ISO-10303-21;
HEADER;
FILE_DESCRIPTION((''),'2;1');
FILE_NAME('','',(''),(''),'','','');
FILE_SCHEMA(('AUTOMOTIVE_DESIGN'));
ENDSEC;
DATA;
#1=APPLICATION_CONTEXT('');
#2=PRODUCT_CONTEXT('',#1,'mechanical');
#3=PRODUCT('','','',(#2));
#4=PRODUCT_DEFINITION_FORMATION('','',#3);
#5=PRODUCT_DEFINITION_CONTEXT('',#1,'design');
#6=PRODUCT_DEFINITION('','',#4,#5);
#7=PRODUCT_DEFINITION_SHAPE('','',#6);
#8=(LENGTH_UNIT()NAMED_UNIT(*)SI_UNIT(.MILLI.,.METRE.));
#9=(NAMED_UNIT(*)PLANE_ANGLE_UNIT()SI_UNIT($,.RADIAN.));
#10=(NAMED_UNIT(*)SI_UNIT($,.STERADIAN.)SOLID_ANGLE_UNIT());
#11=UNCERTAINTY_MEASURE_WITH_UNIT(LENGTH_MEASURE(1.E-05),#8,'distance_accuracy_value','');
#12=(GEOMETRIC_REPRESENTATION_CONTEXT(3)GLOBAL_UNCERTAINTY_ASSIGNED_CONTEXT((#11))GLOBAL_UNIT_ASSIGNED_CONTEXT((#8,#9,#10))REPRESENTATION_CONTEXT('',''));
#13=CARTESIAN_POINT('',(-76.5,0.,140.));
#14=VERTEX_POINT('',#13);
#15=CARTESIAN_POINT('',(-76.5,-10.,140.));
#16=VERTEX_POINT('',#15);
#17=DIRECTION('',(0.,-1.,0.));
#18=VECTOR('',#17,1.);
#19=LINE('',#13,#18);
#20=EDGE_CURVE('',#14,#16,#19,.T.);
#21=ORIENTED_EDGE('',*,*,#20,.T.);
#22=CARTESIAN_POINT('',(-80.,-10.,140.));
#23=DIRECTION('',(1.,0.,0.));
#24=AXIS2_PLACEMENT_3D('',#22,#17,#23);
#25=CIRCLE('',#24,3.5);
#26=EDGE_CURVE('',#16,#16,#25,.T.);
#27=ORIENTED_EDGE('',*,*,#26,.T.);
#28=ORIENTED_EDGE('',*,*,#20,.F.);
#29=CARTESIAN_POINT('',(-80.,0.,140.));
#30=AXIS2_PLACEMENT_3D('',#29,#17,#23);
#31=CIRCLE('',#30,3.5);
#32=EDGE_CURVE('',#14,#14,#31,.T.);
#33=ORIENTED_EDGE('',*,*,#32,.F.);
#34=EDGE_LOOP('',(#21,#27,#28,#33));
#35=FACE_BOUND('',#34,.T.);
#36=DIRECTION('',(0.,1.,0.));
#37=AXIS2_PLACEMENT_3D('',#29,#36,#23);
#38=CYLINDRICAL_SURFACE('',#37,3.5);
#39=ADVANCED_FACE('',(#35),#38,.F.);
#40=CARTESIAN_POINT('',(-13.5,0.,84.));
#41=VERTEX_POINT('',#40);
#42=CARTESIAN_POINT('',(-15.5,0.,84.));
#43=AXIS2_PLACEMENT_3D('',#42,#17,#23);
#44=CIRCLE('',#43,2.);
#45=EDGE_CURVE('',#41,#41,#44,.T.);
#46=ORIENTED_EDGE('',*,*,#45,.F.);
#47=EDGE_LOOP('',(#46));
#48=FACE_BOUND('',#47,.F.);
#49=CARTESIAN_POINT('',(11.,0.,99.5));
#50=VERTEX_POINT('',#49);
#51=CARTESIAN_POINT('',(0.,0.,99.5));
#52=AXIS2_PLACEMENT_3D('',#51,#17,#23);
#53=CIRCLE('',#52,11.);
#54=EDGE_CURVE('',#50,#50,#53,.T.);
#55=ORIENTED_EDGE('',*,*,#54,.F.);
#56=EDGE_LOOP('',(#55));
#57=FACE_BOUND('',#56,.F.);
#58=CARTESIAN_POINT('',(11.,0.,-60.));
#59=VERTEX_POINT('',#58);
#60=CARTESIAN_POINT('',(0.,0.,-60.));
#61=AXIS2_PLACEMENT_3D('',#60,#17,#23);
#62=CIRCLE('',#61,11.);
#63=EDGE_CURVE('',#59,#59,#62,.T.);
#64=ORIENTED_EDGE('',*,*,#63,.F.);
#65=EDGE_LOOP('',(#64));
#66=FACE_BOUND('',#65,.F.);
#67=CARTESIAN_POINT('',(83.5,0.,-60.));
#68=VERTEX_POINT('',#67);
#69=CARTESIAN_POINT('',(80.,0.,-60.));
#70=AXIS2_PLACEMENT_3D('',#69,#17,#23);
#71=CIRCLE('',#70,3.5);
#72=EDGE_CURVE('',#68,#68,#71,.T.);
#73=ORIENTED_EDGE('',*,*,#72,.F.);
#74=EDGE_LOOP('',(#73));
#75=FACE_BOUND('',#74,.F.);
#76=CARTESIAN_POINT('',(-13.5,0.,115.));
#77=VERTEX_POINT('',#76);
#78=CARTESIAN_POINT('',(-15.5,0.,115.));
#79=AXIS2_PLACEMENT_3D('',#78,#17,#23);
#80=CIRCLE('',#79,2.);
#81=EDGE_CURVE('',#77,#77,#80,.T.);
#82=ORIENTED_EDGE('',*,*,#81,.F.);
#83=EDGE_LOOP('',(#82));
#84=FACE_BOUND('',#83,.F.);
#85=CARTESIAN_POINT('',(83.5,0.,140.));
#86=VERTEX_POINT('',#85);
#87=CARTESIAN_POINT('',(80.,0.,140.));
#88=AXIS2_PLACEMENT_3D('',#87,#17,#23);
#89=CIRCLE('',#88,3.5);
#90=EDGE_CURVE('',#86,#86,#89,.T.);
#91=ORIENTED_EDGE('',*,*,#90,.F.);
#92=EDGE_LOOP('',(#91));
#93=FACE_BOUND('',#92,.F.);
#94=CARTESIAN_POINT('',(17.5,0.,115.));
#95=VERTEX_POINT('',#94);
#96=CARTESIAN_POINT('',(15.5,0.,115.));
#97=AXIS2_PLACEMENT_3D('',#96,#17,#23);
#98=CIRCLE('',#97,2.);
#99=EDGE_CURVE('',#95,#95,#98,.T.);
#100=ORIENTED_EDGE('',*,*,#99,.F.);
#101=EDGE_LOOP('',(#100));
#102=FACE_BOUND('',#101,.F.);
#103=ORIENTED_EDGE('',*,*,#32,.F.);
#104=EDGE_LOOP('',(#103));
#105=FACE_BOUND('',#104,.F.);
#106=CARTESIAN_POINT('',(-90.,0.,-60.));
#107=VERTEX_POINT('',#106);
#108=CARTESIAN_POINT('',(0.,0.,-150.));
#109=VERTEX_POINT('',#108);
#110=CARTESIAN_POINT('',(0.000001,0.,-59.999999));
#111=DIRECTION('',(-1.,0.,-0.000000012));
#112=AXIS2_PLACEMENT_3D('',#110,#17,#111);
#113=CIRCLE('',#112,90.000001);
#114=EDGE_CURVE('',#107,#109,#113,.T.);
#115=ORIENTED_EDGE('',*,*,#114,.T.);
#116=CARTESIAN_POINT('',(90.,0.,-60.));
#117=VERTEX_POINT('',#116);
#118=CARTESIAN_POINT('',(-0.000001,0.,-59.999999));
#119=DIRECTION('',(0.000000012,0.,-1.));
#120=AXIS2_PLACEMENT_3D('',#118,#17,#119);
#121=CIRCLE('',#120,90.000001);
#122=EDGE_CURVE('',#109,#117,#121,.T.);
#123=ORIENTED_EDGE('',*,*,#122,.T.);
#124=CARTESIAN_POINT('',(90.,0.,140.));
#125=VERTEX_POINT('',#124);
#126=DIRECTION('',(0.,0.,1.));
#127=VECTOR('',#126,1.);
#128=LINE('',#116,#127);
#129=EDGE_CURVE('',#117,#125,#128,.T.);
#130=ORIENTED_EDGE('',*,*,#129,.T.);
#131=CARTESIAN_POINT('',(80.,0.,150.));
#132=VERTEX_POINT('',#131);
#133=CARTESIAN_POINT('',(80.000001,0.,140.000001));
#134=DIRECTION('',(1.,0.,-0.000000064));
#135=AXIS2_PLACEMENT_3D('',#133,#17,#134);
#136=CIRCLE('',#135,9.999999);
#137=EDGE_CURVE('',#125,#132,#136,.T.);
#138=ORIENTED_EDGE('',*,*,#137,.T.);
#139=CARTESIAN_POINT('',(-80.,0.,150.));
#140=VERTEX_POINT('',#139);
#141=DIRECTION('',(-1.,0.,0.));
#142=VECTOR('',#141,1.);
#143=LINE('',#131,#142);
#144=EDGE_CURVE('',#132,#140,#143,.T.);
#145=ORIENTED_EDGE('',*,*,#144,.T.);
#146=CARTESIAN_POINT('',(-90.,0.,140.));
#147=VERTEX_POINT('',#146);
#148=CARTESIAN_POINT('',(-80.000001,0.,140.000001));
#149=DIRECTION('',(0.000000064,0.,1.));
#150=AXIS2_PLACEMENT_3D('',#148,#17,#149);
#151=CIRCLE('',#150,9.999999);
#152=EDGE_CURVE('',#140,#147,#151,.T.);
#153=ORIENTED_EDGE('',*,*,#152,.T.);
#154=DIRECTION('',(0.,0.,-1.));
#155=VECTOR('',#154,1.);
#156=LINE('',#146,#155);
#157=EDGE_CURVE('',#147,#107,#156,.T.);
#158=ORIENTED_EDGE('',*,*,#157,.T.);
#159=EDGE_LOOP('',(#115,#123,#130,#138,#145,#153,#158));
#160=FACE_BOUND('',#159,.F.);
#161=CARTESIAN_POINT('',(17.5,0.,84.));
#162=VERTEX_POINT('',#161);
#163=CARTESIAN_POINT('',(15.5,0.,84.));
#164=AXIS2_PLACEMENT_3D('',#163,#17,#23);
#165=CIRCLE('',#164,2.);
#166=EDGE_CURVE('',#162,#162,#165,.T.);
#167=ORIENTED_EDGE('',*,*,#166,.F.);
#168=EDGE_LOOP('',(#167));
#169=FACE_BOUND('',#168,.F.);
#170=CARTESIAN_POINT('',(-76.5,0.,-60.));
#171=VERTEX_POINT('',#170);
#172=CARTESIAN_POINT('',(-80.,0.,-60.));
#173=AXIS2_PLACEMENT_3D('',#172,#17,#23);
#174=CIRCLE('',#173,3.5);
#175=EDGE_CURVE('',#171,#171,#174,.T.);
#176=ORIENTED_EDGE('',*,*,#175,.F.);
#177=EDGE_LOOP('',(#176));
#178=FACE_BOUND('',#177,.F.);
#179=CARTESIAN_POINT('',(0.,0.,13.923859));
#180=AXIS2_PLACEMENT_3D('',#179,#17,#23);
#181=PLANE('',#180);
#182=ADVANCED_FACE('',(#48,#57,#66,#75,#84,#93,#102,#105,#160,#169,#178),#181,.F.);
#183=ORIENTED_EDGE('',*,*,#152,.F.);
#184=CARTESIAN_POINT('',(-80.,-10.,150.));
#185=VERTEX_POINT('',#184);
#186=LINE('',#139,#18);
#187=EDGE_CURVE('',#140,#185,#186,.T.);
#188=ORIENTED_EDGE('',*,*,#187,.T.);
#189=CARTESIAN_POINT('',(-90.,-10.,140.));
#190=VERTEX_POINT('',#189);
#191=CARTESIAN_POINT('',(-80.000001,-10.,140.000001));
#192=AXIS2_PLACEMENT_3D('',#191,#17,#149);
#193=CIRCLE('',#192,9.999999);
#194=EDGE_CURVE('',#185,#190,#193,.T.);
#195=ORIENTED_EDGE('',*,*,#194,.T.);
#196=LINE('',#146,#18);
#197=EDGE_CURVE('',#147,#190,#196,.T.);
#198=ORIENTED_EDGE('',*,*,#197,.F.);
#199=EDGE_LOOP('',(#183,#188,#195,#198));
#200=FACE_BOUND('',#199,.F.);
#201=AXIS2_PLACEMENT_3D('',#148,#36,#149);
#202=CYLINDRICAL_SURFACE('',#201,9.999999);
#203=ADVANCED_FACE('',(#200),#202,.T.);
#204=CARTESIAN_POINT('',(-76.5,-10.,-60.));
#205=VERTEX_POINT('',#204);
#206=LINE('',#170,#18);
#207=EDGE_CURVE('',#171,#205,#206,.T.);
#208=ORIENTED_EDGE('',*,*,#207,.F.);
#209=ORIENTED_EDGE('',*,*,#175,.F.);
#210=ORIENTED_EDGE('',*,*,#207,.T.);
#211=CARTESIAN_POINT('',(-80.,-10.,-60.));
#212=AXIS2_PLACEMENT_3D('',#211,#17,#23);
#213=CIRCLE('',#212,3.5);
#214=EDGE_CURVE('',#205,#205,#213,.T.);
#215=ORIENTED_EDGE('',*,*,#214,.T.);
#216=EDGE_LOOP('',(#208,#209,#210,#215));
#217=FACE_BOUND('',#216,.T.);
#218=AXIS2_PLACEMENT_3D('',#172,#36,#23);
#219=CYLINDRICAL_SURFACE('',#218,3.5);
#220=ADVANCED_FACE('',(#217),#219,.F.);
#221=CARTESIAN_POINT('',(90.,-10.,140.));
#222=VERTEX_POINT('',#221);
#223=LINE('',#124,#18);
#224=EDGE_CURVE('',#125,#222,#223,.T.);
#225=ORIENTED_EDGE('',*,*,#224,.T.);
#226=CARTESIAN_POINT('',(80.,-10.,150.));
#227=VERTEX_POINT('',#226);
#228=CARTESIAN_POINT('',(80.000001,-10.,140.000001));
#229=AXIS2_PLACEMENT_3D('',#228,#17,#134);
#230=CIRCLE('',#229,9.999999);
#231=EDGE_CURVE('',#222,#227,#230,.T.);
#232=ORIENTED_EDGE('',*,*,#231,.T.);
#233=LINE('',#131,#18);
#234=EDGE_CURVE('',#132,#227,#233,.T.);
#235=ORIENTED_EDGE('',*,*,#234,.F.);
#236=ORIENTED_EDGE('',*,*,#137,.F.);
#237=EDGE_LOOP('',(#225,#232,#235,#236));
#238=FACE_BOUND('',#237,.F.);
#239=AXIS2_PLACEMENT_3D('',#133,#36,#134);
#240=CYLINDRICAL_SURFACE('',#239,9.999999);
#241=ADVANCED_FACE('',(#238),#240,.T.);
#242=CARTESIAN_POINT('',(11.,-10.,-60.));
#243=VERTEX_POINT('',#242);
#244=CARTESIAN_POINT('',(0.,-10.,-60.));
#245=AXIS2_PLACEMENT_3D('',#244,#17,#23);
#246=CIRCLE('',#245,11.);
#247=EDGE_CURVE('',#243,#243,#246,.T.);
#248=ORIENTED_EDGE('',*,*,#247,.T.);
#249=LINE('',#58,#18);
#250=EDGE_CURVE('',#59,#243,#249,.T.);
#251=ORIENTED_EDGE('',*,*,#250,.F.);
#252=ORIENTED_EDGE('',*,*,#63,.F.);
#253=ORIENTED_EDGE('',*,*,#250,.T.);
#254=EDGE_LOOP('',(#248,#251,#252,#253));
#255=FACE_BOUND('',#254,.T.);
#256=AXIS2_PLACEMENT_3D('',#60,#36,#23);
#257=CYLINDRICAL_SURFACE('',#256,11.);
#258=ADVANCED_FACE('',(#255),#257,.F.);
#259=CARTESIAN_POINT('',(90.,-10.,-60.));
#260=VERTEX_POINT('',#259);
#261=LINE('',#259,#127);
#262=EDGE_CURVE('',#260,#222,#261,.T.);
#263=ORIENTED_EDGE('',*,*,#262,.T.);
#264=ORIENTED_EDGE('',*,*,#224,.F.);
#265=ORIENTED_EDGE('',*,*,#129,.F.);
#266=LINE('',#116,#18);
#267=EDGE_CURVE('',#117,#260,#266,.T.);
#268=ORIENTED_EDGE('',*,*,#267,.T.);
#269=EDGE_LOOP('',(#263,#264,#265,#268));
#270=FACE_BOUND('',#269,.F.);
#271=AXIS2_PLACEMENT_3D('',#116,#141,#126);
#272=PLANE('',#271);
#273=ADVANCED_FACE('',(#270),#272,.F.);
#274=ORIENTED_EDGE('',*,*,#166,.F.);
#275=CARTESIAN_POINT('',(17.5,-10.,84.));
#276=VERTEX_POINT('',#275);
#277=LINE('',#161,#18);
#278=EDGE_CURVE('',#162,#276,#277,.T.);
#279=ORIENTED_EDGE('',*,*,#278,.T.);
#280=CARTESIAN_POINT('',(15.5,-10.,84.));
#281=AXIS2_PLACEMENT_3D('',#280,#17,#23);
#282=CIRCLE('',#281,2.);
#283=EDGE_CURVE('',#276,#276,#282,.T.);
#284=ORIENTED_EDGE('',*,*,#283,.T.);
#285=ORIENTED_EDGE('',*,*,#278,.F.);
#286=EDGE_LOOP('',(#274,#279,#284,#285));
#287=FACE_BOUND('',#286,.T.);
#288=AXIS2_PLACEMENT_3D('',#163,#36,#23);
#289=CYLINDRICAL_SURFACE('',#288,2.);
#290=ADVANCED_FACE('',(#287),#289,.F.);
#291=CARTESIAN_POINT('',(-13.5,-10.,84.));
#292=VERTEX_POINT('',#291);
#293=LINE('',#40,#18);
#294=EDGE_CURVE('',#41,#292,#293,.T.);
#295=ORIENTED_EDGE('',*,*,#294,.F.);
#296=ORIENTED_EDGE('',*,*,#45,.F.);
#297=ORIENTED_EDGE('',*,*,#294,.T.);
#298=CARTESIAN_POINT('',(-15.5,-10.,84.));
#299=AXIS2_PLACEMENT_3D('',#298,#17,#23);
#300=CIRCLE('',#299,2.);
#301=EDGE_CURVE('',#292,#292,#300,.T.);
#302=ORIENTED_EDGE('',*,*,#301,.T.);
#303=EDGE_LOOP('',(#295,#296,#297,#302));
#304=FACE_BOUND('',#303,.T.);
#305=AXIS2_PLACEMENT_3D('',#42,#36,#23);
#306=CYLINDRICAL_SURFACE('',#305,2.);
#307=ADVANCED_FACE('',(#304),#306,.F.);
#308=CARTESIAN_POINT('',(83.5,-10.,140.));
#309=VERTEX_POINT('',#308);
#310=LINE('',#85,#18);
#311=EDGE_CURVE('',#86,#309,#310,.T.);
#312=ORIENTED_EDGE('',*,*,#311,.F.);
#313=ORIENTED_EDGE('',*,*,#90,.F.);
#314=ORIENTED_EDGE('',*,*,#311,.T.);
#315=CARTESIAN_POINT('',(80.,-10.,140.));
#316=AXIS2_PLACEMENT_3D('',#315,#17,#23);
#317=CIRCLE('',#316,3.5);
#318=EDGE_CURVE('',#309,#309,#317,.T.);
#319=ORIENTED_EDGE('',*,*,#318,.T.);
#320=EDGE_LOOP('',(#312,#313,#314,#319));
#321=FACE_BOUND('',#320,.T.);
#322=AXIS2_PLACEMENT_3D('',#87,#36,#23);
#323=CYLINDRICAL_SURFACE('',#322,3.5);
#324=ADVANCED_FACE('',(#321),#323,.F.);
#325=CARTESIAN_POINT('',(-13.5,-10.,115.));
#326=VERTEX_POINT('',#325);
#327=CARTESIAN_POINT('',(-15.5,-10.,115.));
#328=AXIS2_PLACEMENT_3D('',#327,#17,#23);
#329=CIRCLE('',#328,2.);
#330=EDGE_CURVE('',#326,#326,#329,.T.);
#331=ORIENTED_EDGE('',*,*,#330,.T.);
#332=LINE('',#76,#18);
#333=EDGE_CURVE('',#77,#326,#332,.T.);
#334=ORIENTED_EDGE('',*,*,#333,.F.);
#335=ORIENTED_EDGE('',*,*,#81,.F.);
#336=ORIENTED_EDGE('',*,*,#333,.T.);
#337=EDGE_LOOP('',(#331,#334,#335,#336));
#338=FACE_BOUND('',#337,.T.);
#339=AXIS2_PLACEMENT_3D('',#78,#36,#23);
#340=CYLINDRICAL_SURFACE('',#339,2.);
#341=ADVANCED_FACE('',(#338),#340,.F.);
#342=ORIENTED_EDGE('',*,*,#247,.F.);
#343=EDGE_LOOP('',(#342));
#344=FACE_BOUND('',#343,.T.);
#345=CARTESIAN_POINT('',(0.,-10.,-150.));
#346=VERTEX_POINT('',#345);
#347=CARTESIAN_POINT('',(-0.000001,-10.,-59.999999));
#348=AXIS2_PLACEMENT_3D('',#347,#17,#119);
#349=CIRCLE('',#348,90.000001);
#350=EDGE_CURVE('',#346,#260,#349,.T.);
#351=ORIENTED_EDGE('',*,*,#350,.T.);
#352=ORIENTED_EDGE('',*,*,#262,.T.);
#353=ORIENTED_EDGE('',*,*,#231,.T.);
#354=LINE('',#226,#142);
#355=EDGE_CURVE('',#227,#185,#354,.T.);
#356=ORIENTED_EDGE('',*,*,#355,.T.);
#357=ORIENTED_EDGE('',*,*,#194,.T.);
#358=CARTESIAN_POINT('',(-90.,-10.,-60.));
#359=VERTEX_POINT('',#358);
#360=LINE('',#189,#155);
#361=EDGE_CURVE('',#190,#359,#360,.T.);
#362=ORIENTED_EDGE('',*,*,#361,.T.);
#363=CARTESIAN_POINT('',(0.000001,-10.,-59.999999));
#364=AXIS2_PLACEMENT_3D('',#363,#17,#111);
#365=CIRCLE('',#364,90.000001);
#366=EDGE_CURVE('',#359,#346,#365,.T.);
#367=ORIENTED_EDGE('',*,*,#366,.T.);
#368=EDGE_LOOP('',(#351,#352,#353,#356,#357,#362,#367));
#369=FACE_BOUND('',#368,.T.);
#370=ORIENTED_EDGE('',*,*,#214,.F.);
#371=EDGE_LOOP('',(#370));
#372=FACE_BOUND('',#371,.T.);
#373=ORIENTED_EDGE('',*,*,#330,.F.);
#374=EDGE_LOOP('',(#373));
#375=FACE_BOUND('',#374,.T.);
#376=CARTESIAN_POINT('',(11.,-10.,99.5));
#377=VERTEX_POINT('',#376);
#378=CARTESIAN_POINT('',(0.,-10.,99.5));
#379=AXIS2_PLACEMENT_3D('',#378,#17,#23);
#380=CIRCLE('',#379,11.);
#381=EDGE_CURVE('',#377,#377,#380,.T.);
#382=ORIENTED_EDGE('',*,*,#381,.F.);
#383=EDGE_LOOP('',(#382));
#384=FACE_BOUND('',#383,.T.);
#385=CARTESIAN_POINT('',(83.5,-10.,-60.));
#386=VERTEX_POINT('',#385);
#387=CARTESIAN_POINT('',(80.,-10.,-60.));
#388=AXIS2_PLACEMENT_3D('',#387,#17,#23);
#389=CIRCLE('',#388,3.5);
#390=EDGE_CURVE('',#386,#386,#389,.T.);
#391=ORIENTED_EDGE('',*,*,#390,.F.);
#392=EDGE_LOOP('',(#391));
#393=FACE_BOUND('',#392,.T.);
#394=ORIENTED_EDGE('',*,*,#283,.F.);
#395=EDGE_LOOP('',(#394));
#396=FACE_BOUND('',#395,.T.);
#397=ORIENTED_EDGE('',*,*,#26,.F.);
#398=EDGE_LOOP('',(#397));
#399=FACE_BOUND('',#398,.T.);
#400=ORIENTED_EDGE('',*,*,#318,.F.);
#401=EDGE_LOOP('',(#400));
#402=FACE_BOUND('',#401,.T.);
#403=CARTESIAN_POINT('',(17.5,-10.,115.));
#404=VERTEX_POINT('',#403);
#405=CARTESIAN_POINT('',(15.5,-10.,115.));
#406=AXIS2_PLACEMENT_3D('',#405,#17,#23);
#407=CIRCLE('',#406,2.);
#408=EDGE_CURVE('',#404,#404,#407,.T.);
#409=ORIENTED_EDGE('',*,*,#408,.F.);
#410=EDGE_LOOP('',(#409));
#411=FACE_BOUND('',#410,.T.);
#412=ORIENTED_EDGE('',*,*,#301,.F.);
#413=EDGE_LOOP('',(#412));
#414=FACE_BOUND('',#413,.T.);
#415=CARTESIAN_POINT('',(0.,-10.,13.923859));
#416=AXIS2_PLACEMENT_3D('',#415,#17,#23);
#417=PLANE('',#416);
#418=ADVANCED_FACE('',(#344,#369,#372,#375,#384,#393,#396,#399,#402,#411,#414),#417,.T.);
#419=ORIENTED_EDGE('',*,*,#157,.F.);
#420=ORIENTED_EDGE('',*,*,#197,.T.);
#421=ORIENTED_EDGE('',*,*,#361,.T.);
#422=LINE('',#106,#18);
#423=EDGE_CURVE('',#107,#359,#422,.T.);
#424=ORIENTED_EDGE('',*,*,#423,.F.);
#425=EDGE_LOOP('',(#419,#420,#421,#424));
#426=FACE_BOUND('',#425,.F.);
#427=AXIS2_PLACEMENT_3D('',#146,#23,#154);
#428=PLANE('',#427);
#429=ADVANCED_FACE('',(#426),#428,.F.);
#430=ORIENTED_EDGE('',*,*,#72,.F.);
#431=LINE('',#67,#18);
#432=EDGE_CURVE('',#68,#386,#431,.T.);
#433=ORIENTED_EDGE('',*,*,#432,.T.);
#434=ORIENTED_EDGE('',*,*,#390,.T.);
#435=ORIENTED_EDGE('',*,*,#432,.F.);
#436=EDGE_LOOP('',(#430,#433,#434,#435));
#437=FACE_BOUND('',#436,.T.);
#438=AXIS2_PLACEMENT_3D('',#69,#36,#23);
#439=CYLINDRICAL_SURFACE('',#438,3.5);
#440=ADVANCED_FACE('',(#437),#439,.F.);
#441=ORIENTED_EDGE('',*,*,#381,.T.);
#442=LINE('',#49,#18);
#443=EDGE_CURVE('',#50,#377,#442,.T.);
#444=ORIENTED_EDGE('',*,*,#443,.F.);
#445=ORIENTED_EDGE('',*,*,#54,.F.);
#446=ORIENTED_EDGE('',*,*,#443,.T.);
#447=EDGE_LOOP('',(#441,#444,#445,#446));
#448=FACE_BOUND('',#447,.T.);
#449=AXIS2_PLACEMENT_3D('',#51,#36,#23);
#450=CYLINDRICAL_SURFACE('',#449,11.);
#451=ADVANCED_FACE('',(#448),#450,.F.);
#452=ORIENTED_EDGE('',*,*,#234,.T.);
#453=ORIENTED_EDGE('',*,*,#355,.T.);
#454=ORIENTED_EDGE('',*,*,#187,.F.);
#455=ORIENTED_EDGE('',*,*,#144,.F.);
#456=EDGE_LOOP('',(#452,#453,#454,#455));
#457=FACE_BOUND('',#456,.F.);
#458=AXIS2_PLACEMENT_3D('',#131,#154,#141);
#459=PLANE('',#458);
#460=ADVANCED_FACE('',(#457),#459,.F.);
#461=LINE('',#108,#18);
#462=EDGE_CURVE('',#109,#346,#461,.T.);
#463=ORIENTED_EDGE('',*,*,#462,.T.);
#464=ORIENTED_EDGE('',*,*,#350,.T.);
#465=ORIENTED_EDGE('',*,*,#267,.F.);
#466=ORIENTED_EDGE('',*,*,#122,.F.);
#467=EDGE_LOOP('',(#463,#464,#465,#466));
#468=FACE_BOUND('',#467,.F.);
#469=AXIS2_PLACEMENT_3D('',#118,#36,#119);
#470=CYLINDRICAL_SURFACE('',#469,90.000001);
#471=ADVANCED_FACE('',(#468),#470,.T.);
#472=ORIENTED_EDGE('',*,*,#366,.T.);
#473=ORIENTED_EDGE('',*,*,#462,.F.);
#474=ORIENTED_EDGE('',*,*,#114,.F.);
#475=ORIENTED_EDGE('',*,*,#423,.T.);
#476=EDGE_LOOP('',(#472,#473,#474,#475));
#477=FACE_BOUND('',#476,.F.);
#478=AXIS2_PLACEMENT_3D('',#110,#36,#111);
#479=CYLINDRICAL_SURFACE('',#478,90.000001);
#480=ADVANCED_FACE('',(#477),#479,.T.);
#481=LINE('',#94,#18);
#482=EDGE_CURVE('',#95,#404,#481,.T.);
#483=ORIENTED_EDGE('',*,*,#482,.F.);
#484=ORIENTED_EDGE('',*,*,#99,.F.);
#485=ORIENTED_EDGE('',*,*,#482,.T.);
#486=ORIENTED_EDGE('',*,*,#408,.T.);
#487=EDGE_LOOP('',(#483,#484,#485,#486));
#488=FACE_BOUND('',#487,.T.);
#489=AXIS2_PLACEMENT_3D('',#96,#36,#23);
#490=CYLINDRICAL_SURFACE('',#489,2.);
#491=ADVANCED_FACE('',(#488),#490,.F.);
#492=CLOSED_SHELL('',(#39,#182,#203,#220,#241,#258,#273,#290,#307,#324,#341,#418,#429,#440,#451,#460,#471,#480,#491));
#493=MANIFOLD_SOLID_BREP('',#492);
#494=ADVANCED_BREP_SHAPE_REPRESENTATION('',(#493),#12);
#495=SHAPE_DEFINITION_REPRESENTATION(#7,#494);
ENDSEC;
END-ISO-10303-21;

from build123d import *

# Parameters (mm, degrees)
F0_R     = 3.5
F0_R_2   = 11
F0_R_3   = 2
F1_DEPTH = 10


with BuildPart() as f1:
    # F0 (on Front) → F1 (new body)
    with BuildSketch(Plane.XZ):
        with BuildLine():
            ThreePointArc((90, 140), (87.071068, 147.071068), (80, 150))
            Line((80, 150), (-80, 150))
            ThreePointArc((-80, 150), (-87.071068, 147.071068), (-90, 140))
            Line((-90, 140), (-90, -60))
            ThreePointArc((-90, -60), (-63.63961, -123.63961), (0, -150))
            ThreePointArc((0, -150), (63.63961, -123.63961), (90, -60))
            Line((90, -60), (90, 140))
        make_face()
        with Locations((-80, -60)):
            Circle(F0_R, mode=Mode.SUBTRACT)
        with Locations((0, -60)):
            Circle(F0_R_2, mode=Mode.SUBTRACT)
        with Locations((80, -60)):
            Circle(F0_R, mode=Mode.SUBTRACT)
        with Locations((-80, 140)):
            Circle(F0_R, mode=Mode.SUBTRACT)
        with Locations((-15.5, 84)):
            Circle(F0_R_3, mode=Mode.SUBTRACT)
        with Locations((-15.5, 115)):
            Circle(F0_R_3, mode=Mode.SUBTRACT)
        with Locations((15.5, 84)):
            Circle(F0_R_3, mode=Mode.SUBTRACT)
        with Locations((0, 99.5)):
            Circle(F0_R_2, mode=Mode.SUBTRACT)
        with Locations((15.5, 115)):
            Circle(F0_R_3, mode=Mode.SUBTRACT)
        with Locations((80, 140)):
            Circle(F0_R, mode=Mode.SUBTRACT)
    extrude(amount=F1_DEPTH)


solid = f1.part
